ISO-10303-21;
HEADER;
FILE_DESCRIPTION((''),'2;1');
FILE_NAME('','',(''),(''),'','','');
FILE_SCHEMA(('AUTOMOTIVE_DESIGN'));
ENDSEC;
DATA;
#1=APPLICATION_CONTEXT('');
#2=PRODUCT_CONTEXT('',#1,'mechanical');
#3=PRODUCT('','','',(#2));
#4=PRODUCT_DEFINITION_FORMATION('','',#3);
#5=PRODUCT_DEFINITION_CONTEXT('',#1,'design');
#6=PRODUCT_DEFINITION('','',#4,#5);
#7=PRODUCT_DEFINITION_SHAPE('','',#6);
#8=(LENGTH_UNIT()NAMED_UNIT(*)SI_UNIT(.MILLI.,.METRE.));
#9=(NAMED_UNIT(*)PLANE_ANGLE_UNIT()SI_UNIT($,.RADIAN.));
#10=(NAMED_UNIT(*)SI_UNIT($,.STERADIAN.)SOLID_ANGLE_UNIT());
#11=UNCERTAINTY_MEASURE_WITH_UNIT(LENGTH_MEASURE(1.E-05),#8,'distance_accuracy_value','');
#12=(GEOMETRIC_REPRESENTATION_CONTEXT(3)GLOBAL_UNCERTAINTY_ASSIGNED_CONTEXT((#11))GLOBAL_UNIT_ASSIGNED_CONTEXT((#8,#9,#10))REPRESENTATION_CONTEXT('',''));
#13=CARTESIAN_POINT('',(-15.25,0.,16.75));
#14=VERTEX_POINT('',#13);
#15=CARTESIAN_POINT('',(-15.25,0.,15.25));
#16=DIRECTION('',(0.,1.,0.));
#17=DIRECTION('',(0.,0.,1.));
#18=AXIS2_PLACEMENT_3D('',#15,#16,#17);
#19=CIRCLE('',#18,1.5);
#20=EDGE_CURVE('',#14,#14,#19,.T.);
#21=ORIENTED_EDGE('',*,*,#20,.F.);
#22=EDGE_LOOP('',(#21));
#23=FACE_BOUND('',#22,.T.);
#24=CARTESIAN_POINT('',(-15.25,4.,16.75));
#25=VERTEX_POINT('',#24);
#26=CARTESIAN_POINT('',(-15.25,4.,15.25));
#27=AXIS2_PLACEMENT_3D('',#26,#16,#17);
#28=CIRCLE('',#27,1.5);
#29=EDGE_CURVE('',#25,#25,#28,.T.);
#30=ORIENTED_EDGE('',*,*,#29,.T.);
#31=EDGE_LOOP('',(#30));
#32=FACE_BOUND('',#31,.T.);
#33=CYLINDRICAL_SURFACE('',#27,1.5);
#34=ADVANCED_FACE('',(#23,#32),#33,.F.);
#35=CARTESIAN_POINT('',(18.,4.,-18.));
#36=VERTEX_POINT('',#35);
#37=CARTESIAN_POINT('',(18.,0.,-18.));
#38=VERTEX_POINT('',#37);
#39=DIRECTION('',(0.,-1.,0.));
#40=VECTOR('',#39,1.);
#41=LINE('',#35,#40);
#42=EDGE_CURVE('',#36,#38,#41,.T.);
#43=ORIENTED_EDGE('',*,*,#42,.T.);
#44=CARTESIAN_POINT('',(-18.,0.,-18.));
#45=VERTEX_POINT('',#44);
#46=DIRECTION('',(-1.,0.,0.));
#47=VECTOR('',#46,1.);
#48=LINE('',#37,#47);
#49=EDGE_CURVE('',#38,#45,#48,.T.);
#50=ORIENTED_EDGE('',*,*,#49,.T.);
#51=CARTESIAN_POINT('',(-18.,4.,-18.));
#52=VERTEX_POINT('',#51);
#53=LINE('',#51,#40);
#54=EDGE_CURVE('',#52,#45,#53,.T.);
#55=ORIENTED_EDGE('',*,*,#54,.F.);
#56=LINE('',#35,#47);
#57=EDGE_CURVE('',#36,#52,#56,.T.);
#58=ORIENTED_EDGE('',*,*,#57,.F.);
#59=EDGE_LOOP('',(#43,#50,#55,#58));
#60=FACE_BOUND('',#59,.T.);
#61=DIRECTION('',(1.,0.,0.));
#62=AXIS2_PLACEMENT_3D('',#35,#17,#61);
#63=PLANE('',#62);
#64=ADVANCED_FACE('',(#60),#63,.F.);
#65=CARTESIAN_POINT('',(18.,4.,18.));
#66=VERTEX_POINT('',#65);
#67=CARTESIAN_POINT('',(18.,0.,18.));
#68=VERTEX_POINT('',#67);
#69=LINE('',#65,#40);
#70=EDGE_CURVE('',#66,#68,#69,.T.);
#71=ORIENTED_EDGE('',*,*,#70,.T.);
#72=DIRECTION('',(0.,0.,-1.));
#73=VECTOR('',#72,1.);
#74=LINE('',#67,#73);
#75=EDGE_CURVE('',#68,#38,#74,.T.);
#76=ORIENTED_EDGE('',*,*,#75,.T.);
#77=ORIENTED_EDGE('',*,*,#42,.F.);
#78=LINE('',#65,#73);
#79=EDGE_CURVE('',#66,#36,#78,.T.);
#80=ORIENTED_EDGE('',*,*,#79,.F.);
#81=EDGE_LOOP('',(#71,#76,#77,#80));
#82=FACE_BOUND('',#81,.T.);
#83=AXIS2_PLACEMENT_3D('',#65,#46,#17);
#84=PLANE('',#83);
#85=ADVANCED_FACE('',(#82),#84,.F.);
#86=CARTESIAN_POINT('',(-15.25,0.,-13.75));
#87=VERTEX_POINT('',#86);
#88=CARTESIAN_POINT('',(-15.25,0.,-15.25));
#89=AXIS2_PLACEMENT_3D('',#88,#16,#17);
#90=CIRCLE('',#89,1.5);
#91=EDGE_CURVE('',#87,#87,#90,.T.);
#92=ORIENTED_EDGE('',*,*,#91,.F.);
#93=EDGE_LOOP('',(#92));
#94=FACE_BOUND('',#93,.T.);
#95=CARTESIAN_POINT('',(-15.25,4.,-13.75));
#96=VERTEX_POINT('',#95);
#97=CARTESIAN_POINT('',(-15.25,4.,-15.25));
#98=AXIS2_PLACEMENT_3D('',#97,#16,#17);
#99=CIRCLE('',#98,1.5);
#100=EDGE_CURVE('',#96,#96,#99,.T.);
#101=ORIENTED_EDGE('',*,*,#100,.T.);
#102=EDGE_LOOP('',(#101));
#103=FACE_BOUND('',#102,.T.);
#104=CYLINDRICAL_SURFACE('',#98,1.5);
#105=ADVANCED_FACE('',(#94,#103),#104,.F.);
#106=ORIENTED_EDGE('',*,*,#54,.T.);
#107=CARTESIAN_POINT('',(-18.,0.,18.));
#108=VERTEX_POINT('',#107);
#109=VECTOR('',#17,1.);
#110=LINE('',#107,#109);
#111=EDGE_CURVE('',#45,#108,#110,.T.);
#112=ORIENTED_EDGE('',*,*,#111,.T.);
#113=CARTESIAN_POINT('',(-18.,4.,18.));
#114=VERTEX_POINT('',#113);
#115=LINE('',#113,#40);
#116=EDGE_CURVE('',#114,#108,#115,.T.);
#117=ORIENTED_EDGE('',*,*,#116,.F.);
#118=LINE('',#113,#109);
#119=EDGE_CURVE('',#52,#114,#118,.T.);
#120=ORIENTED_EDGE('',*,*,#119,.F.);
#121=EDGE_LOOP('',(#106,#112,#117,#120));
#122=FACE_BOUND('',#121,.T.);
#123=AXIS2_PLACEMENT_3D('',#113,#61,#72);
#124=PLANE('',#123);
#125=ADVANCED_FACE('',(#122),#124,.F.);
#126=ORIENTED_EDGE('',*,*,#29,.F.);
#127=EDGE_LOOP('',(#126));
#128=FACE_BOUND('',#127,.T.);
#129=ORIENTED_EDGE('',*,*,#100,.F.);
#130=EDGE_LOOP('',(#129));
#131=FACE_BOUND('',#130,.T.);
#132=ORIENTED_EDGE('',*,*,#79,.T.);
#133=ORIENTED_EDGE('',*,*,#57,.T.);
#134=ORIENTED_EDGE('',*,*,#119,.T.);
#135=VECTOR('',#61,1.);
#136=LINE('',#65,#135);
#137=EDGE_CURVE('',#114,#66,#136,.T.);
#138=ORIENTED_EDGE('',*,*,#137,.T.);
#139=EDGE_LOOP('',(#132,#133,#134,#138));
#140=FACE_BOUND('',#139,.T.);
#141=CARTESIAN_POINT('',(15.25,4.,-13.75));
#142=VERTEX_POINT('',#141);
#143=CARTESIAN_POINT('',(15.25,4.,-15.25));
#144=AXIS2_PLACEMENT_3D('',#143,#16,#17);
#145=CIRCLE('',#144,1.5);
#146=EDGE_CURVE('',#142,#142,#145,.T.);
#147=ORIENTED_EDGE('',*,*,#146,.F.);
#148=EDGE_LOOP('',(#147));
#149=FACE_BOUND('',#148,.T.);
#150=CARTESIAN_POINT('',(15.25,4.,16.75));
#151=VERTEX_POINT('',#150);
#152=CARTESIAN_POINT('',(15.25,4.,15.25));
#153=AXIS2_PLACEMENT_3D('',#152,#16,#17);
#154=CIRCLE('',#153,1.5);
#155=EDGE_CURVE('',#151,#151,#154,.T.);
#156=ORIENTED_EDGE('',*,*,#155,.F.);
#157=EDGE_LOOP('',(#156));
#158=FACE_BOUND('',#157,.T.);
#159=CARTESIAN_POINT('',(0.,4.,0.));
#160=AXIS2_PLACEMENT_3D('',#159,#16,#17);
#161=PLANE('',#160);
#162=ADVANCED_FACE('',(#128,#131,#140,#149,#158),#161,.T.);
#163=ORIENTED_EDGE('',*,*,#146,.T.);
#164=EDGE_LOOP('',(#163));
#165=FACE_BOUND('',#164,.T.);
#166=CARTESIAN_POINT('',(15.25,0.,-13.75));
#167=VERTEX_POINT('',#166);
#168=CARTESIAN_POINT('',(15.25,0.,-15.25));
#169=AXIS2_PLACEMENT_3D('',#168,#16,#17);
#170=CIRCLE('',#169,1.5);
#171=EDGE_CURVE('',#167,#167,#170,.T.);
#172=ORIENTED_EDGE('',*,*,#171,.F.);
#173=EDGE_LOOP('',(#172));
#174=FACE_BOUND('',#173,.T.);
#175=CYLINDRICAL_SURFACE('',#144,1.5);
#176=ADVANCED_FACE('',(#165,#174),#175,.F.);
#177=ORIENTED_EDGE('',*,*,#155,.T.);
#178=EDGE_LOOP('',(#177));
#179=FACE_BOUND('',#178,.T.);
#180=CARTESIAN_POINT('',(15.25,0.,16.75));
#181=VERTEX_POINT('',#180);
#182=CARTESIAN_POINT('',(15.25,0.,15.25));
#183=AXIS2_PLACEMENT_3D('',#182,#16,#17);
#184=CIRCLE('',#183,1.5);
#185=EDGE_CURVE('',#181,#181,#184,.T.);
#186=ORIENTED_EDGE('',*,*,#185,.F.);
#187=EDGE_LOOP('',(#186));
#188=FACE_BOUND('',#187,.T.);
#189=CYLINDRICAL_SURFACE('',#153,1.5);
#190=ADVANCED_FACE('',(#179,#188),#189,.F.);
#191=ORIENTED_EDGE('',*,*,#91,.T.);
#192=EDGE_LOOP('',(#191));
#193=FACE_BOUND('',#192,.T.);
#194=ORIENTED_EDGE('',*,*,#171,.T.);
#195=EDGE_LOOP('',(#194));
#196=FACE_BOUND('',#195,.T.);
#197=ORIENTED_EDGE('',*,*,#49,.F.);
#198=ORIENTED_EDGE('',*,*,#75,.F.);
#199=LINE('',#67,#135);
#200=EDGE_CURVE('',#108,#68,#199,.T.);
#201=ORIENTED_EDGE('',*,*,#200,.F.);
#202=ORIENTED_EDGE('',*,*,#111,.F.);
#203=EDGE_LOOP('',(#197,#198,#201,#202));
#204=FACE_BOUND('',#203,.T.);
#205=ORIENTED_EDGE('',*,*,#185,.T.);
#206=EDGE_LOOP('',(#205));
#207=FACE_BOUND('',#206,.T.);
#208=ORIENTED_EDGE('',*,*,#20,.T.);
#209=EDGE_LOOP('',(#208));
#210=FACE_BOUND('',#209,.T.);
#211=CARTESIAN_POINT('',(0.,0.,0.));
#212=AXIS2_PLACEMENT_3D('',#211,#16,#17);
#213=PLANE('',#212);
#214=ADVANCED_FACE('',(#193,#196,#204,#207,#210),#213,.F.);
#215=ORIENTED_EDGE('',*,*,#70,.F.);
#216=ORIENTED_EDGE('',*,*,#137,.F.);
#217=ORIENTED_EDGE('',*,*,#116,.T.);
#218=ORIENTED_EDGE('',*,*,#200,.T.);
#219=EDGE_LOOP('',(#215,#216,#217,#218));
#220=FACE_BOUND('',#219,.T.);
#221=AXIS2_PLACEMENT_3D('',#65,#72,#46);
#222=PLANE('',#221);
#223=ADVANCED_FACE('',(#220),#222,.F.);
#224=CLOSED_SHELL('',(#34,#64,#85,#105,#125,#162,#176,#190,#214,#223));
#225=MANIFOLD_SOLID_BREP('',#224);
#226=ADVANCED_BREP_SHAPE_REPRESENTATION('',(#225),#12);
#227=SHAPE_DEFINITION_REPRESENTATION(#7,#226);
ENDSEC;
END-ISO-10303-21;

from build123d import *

# Parameters (mm, degrees)
SKETCH1_W                   = 36
SKETCH1_H                   = 36
BOSS_EXTRUDE1_DEPTH         = 4
F_3_0MM_PRESS_DOWEL_HOLE1_D = 3


with BuildPart() as part:
    # Sketch1 → Boss-Extrude1 (new body)
    with BuildSketch(Plane(origin=(0, 0, 0), x_dir=(1, 0, 0), z_dir=(0, 1, 0))):
        Rectangle(SKETCH1_W, SKETCH1_H)
    extrude(amount=BOSS_EXTRUDE1_DEPTH)

    # Ø3.0mm Press Dowel Hole1 (through all)
    with Locations(Plane(origin=(0, 4, 0), x_dir=(1, 0, 0), z_dir=(0, 1, 0))):
        with Locations((-15.25, 15.25), (15.25, 15.25), (15.25, -15.25), (-15.25, -15.25)):
            Hole(F_3_0MM_PRESS_DOWEL_HOLE1_D / 2)


solid = part.part
